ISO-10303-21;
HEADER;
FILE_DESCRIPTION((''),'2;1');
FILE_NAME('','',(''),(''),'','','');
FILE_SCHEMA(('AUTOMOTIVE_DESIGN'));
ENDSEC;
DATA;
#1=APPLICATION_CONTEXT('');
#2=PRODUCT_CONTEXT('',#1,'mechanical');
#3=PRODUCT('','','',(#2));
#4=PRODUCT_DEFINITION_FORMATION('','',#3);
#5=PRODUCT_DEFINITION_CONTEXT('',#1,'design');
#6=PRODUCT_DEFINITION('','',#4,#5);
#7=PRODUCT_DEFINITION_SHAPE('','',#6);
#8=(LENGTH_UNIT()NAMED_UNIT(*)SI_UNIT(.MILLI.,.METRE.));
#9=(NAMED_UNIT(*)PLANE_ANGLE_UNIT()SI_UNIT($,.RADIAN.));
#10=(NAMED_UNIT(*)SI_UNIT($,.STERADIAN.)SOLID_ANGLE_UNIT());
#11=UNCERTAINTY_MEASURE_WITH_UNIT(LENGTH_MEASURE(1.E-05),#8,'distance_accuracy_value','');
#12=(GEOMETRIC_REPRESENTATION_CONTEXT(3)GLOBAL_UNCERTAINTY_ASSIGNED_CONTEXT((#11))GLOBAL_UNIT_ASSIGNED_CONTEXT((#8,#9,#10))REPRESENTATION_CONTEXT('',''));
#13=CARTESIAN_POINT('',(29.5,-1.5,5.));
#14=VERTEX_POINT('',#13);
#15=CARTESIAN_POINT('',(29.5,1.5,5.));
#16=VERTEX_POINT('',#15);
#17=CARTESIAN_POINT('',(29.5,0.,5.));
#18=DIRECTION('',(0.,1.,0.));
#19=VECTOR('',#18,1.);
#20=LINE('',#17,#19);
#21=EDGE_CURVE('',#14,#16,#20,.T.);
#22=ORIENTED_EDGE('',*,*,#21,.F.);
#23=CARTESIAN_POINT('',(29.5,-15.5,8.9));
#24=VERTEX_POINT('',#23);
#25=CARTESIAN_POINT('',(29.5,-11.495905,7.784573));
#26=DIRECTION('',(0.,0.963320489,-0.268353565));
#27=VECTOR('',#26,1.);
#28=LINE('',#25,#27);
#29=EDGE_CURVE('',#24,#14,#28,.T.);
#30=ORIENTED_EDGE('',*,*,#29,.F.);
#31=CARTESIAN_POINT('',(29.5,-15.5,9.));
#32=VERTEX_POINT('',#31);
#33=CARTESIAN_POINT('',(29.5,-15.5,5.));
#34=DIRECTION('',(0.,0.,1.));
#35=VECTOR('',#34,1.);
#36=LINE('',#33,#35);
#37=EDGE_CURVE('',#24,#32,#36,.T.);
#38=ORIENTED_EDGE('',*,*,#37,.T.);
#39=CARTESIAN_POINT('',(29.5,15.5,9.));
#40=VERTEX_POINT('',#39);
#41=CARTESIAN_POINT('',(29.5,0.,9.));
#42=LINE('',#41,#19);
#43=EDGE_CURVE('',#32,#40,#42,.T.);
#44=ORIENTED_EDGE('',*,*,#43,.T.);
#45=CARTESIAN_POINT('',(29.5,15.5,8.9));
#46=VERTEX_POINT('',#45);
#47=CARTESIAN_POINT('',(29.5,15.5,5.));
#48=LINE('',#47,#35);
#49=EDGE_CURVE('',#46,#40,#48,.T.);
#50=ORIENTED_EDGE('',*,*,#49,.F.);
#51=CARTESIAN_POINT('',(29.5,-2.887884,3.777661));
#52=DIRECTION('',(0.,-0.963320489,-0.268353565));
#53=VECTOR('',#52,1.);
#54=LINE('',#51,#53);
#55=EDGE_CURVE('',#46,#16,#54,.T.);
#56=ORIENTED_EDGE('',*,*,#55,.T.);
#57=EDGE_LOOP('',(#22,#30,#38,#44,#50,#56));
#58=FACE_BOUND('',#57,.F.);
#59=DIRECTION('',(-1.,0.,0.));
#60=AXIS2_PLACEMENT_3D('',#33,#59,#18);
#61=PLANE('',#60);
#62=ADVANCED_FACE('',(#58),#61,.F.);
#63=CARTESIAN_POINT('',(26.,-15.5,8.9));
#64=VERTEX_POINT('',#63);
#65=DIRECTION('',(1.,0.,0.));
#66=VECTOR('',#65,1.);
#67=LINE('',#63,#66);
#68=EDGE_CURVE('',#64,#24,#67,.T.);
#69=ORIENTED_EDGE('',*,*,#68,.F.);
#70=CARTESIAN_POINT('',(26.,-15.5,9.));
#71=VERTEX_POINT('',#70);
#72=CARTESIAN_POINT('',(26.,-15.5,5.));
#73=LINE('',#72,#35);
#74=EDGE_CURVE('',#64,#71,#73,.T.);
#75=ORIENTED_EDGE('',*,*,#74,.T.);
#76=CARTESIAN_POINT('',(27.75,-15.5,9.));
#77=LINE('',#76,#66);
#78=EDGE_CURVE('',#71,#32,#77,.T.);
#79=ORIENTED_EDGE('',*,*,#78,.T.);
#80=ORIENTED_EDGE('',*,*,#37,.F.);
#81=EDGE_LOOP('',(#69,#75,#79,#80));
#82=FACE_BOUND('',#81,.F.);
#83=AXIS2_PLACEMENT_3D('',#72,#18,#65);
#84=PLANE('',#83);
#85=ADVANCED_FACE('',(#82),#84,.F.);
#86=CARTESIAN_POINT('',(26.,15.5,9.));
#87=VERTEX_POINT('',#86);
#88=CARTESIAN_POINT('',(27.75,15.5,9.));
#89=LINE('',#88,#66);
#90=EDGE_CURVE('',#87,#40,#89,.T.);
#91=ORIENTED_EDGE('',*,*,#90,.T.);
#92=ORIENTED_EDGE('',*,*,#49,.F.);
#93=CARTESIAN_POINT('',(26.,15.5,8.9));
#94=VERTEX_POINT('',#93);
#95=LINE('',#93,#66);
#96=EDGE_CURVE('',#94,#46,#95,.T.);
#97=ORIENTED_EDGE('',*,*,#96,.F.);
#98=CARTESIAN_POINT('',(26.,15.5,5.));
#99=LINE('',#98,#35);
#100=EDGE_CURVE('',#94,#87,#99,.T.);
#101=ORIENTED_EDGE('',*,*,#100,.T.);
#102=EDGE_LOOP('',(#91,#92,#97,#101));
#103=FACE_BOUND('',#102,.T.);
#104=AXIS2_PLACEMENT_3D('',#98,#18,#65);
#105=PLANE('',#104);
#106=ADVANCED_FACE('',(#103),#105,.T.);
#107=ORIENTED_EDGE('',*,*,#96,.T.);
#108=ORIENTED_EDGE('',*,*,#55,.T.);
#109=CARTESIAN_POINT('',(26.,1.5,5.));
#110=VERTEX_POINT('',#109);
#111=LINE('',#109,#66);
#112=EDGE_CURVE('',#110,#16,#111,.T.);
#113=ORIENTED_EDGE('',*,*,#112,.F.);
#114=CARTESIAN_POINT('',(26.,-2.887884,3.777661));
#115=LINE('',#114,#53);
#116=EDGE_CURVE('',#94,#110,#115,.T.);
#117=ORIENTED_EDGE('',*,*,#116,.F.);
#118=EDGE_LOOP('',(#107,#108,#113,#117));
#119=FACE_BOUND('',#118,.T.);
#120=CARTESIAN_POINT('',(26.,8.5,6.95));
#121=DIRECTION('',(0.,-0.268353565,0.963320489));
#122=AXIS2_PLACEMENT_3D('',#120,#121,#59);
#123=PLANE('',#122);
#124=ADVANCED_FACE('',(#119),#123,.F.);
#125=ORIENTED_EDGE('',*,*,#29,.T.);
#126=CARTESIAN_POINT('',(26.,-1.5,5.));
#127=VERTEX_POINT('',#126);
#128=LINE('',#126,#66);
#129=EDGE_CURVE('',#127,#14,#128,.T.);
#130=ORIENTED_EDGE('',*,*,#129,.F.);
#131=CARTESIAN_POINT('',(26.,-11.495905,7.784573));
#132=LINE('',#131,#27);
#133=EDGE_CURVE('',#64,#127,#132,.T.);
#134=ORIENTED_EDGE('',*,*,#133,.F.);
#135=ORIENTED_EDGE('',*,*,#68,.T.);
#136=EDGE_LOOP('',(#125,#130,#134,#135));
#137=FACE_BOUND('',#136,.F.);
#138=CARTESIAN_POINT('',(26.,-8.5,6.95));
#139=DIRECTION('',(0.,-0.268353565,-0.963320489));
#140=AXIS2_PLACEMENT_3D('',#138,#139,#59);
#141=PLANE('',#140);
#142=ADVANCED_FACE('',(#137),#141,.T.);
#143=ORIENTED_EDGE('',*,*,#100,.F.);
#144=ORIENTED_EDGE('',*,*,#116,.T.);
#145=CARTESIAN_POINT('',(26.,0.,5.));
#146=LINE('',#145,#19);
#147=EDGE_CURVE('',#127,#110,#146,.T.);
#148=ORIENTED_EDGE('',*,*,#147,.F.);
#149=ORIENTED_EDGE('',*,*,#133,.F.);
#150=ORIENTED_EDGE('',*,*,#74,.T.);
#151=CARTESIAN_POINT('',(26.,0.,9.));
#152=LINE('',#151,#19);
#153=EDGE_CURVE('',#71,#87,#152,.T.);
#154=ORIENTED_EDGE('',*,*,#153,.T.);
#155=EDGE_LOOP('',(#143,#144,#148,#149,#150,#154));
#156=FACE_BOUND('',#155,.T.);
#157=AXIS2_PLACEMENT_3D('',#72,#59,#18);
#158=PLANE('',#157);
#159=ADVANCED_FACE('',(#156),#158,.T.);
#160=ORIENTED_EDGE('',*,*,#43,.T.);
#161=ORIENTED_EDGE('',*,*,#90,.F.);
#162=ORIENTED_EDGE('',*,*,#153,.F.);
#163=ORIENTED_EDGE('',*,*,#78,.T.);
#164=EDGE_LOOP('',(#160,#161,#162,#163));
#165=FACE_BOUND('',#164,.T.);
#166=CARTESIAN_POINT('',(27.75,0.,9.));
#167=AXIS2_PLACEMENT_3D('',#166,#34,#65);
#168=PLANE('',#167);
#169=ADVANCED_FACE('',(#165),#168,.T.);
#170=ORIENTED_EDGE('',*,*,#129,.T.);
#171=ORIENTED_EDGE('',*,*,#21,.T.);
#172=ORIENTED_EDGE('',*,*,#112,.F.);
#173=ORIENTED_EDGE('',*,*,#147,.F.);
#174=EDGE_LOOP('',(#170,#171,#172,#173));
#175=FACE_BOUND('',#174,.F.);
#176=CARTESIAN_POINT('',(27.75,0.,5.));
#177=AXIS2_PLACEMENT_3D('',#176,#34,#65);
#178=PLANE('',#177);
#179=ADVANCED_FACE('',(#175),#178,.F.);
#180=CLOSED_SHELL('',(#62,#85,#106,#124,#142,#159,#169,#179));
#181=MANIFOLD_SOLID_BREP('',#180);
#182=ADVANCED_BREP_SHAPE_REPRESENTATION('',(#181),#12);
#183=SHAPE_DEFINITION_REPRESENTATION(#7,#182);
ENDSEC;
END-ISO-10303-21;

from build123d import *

# Parameters (mm, degrees)
BOX133_W           = 3.5
BOX133_H           = 31
BOX133_DEPTH       = 4
CHAMFER022_1_SIZE2 = 14
CHAMFER022_1_SIZE  = 3.9
CHAMFER022_2_SIZE2 = 14
CHAMFER022_2_SIZE  = 3.9


with BuildPart() as part:
    # Box133 → Box133 (new body)
    with BuildSketch(Plane(origin=(26, -16.5, 6), x_dir=(1, 0, 0), z_dir=(0, 0, 1))):
        with Locations((1.75, 15.5)):
            Rectangle(BOX133_W, BOX133_H)
    extrude(amount=BOX133_DEPTH)

    # Chamfer022 1
    chamfer022_1_edges = [part.edges().sort_by_distance(p)[0] for p in [
        (27.75, 14.5, 6),
    ]]
    chamfer022_1_side = part.faces().sort_by_distance((27.75, 14.5, 8))[0]
    chamfer(chamfer022_1_edges, length=CHAMFER022_1_SIZE, length2=CHAMFER022_1_SIZE2, reference=chamfer022_1_side)

    # Chamfer022 2
    chamfer022_2_edges = [part.edges().sort_by_distance(p)[0] for p in [
        (27.75, -16.5, 6),
    ]]
    chamfer022_2_side = part.faces().sort_by_distance((27.75, -16.5, 8))[0]
    chamfer(chamfer022_2_edges, length=CHAMFER022_2_SIZE, length2=CHAMFER022_2_SIZE2, reference=chamfer022_2_side)


with BuildPart() as part_1:
    # Chamfer022 placement: moved
    add(part.part.moved(Location((0, 1, -1))))


solid = part_1.part
